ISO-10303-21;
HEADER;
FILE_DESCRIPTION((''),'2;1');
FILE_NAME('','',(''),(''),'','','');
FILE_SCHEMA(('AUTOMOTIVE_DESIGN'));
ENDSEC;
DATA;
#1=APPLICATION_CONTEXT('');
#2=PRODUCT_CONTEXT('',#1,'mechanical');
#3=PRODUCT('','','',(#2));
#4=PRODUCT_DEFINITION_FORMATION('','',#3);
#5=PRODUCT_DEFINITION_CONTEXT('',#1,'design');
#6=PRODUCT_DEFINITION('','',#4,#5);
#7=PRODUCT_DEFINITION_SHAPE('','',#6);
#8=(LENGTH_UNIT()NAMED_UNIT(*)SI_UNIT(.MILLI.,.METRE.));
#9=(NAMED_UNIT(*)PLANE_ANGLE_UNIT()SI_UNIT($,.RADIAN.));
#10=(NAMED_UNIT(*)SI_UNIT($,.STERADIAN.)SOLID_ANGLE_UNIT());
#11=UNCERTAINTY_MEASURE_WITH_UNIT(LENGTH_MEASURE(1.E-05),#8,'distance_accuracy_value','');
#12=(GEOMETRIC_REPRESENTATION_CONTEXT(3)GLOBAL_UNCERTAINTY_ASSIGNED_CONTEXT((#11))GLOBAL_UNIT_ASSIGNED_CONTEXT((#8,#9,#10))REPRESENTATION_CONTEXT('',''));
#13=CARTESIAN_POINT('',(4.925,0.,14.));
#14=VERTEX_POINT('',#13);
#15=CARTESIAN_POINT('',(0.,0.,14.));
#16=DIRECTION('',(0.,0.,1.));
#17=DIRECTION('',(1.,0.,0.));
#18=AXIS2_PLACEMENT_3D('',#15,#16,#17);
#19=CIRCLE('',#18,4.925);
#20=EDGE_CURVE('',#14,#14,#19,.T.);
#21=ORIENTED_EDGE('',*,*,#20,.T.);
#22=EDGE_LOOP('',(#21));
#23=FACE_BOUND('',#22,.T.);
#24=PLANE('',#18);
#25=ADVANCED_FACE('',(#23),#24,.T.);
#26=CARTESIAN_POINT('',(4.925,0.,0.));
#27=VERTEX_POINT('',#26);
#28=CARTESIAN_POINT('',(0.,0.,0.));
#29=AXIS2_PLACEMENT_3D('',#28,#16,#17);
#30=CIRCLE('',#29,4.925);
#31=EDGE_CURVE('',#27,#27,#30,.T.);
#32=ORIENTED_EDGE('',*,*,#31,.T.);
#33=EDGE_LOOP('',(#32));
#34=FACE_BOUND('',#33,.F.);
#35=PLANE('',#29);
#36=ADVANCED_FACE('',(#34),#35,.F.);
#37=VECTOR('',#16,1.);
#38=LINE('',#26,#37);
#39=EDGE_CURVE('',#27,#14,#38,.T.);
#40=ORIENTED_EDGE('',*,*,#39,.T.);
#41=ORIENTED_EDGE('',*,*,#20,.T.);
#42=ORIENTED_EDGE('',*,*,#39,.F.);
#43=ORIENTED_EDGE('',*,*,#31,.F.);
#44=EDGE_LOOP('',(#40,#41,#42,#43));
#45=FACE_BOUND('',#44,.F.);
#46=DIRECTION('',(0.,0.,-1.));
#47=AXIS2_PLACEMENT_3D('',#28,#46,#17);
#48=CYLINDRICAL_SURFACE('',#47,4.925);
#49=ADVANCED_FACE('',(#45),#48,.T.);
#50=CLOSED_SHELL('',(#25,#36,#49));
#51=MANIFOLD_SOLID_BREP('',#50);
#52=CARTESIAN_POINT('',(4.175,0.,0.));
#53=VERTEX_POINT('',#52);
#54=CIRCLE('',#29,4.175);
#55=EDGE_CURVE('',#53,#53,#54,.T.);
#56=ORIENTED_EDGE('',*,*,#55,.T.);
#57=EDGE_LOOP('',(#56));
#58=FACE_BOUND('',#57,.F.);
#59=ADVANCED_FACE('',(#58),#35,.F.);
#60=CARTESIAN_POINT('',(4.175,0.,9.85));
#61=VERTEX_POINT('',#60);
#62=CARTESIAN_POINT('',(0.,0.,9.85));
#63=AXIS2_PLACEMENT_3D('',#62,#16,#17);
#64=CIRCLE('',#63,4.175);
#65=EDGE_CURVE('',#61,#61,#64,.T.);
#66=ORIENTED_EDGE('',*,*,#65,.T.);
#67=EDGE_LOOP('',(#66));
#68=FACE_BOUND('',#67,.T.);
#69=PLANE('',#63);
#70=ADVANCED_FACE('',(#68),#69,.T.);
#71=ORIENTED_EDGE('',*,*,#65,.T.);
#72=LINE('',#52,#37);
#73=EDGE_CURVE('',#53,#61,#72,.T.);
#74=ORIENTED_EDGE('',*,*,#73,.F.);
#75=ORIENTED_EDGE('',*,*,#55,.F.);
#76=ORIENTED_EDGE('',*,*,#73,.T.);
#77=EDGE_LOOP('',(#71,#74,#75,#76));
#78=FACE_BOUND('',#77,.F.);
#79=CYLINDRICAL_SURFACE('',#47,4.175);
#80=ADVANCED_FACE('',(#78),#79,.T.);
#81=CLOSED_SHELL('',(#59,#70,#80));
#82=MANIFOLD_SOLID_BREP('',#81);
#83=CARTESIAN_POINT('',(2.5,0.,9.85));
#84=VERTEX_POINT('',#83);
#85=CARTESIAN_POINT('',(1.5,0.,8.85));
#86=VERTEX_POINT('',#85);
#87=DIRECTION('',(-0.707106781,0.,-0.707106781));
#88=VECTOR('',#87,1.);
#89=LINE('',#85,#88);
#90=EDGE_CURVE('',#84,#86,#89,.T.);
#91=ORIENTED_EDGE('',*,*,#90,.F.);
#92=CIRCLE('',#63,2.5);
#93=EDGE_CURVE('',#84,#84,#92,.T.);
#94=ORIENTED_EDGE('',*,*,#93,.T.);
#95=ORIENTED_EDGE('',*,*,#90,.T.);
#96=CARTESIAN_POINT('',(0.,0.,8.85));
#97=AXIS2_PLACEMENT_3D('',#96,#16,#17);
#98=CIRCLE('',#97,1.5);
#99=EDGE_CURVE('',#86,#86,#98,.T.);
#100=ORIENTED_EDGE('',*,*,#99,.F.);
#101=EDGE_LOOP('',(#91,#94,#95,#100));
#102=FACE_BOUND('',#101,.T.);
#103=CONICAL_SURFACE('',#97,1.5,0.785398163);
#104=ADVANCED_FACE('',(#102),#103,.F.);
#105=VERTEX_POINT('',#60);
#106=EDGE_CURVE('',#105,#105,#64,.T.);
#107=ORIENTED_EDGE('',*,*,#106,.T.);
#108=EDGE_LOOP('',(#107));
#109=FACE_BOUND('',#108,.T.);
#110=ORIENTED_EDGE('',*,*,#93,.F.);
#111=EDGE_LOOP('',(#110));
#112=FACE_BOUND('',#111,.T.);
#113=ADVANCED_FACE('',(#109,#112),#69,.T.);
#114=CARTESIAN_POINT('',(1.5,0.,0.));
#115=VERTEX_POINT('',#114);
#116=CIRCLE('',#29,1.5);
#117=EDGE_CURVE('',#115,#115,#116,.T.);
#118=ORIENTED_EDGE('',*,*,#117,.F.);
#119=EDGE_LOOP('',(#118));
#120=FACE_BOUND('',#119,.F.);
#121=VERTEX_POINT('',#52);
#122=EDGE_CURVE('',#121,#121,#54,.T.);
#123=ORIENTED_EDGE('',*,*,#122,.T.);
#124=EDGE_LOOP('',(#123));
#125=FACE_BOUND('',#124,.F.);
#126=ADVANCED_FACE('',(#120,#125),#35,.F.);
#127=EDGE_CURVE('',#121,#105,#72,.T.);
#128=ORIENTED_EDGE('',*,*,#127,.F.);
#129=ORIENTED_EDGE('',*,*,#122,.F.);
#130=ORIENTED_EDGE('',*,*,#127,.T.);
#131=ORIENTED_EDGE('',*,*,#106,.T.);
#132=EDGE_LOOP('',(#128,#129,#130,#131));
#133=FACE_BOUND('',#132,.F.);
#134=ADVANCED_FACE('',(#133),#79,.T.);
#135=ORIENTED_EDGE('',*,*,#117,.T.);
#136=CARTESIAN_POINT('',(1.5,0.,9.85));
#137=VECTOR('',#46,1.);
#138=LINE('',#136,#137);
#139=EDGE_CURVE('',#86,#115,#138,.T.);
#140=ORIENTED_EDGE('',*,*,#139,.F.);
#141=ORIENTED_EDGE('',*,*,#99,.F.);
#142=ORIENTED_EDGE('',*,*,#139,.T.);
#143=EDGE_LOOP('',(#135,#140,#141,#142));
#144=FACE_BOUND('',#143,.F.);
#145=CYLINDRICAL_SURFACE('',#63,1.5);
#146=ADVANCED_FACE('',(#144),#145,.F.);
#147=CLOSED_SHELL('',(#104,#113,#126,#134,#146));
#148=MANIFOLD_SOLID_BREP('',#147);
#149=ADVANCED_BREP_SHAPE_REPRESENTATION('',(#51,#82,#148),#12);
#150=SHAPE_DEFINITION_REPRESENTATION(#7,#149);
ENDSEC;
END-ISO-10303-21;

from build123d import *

# Parameters (mm, degrees)
SKETCH_R        = 4.925
PAD_DEPTH       = 14
SKETCH002_R     = 4.175
PAD001_DEPTH    = 9.85
SKETCH003_R     = 1.5
POCKET001_DEPTH = 9.851
CHAMFER001_SIZE = 1
SKETCH004_R     = 4.175
PAD002_DEPTH    = 9.85


with BuildPart() as large:
    # Sketch (on XY_Plane of Origin) → Pad (new body)
    with BuildSketch(Plane.XY):
        Circle(SKETCH_R)
    extrude(amount=PAD_DEPTH)


with BuildPart() as small:
    # Sketch002 (on XY_Plane001 of Origin002) → Pad001 (new body)
    with BuildSketch(Plane.XY):
        Circle(SKETCH002_R)
    extrude(amount=PAD001_DEPTH)

    # Sketch003 (on Face3 of Pad001) → Pocket001 (cut, through all)
    with BuildSketch(Plane.XY.offset(9.85)):
        Circle(SKETCH003_R)
    extrude(amount=-POCKET001_DEPTH, mode=Mode.SUBTRACT)

    # Chamfer001
    chamfer001_edges = [small.edges().sort_by_distance(p)[0] for p in [
        (-1.5, 0, 9.85),
    ]]
    chamfer(chamfer001_edges, length=CHAMFER001_SIZE)


with BuildPart() as small001:
    # Sketch004 (on XY_Plane001 of Origin004) → Pad002 (new body)
    with BuildSketch(Plane.XY):
        Circle(SKETCH004_R)
    extrude(amount=PAD002_DEPTH)


solid = Compound([large.part, small.part, small001.part])
